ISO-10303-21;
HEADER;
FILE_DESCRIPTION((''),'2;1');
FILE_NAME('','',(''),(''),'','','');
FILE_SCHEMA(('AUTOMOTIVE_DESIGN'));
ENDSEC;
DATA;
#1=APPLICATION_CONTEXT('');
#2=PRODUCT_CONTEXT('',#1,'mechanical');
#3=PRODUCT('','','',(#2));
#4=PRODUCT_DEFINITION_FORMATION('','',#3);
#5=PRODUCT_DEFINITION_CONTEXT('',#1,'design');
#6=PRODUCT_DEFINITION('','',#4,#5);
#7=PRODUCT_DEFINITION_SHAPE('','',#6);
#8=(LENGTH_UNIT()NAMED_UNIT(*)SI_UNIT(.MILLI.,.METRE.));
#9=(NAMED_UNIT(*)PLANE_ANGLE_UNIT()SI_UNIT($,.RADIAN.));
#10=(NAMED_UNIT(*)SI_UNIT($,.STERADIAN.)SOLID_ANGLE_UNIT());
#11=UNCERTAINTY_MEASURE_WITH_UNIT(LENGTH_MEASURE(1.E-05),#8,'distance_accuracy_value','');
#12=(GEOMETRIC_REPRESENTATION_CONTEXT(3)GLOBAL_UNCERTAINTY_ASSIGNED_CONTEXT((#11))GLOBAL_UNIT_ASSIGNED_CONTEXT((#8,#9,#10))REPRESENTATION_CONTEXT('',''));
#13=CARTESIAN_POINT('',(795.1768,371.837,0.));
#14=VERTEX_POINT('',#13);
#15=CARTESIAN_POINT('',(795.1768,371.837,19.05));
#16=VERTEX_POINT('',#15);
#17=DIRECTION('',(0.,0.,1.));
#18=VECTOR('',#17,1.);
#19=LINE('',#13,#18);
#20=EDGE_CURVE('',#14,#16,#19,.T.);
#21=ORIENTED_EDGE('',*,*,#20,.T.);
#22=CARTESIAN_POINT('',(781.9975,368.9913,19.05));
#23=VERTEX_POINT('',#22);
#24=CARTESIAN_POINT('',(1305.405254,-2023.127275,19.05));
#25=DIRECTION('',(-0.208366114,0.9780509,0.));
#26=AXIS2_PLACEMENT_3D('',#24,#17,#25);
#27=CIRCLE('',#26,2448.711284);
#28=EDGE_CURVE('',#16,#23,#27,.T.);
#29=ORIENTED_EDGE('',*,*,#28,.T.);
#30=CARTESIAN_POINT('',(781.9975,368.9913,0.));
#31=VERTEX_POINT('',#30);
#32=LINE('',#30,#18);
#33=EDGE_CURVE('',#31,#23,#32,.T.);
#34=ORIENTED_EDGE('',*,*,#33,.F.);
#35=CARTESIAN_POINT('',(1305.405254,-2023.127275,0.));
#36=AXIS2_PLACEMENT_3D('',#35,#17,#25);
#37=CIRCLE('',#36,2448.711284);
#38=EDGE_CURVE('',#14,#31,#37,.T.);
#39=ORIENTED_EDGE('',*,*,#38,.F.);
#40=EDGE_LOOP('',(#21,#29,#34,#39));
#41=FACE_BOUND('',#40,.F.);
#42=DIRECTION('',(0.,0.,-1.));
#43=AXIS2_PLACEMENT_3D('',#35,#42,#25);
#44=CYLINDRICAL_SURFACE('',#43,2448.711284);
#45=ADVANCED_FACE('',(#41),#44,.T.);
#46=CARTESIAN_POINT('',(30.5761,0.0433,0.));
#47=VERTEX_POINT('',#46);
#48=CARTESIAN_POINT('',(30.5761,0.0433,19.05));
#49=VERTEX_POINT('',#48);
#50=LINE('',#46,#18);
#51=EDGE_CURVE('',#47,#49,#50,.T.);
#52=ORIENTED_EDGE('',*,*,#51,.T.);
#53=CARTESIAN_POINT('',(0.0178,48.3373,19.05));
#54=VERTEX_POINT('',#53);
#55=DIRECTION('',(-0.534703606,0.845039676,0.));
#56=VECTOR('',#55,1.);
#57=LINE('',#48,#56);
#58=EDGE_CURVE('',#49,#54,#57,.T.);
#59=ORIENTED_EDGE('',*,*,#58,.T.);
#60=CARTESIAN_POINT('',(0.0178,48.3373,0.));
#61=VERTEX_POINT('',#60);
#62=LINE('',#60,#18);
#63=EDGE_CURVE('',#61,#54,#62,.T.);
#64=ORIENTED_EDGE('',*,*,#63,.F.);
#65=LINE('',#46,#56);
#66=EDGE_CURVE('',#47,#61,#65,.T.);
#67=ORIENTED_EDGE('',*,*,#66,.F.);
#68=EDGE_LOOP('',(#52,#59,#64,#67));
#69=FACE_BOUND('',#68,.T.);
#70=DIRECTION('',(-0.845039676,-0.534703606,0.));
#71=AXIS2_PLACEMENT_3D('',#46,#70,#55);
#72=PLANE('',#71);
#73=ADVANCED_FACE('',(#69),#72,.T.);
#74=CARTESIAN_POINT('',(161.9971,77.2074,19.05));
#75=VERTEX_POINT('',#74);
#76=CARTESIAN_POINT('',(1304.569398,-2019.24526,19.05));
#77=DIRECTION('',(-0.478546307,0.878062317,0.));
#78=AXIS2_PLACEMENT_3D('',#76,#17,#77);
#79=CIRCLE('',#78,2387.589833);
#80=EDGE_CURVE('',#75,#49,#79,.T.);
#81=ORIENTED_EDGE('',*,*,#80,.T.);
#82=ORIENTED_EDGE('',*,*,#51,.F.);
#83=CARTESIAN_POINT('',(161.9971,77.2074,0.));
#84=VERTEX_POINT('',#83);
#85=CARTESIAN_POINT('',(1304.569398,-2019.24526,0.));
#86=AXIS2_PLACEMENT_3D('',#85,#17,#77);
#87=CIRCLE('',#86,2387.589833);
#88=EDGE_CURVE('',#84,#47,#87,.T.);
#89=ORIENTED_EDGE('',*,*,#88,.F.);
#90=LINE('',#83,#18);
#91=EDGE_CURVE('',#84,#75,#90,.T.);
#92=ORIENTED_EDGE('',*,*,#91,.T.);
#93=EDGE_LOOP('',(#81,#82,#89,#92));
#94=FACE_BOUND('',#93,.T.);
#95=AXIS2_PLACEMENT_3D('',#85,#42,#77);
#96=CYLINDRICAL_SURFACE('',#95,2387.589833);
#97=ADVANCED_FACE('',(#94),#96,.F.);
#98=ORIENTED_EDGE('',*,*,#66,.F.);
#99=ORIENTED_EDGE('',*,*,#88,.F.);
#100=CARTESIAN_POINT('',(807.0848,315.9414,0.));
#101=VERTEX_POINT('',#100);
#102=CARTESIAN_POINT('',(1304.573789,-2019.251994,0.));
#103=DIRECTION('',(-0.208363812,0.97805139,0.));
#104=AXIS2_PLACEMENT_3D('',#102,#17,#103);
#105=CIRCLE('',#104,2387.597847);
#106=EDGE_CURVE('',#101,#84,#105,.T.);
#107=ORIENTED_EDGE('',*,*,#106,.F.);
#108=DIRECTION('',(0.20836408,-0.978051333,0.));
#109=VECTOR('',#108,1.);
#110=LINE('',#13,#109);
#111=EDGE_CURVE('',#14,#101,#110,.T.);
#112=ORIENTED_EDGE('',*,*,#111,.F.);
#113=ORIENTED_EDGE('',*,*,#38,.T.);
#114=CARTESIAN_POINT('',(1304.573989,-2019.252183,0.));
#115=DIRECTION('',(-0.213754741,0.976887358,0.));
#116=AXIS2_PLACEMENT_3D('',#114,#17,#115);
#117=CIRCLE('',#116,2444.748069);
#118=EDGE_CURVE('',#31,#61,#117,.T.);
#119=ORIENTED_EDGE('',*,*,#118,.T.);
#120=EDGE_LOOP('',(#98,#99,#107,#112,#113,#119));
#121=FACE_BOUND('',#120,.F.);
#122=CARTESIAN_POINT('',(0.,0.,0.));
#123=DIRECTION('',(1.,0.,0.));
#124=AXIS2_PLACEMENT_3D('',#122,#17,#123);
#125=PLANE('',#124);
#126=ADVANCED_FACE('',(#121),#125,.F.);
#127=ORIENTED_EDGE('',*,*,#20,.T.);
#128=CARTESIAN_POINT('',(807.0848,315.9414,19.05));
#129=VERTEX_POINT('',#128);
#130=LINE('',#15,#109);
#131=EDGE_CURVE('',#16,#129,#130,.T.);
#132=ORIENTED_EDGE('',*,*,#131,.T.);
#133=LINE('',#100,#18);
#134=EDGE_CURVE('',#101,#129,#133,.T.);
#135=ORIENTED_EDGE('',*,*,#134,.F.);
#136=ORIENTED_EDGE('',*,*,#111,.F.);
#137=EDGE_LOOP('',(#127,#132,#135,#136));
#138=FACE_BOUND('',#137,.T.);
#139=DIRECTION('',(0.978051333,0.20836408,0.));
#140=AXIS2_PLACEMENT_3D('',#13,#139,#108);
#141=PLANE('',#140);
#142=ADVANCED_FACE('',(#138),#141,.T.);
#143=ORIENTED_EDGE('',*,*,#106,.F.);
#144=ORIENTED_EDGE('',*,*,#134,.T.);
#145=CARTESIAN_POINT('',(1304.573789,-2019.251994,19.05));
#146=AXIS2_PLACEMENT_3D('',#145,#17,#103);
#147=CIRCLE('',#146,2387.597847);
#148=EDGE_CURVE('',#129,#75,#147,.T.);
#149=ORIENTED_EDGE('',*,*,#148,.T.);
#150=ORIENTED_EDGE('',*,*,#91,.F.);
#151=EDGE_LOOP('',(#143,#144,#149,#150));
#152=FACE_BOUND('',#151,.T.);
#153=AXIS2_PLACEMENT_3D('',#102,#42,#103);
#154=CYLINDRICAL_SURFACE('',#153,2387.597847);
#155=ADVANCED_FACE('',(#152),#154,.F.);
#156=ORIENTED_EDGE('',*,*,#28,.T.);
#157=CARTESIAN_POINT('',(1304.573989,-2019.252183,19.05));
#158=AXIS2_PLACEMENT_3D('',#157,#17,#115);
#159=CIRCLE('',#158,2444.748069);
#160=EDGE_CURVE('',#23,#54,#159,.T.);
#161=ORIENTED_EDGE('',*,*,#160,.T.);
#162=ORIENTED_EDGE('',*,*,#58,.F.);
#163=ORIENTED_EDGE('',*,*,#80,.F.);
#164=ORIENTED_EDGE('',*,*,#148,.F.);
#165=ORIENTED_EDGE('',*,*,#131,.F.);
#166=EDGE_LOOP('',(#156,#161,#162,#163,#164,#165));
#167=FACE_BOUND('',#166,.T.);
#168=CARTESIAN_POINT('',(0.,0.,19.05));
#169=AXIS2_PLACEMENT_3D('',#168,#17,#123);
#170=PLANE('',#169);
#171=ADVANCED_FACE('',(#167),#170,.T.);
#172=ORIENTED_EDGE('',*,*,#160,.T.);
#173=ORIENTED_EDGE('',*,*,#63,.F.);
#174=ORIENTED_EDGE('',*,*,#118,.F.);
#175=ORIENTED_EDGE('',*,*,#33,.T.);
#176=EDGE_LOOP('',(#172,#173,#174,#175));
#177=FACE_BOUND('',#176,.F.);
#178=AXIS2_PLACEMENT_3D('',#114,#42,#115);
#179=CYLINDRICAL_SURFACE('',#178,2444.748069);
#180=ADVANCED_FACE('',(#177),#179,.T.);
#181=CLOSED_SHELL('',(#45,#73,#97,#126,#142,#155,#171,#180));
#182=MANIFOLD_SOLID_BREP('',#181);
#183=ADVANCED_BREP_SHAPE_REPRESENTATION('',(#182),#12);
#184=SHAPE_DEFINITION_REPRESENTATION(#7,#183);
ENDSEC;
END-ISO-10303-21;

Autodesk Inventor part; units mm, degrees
ref_plane "YZ Plane" through (0, 0, 0) normal (1, 0, 0) x (0, 1, 0)
ref_plane "XZ Plane" through (0, 0, 0) normal (0, 1, 0) x (-1, 0, 0)
ref_plane "XY Plane" through (0, 0, 0) normal (0, 0, 1) x (1, 0, 0)
sketch "Sketch1" plane through (0, 0, 0) normal (0, 0, 1) x (1, 0, 0)
  arc A0 (781.9975, 368.9913) -> (0.0178, 48.3373) centre (1304.5744, -2019.2535) ccw
  arc A1 (795.1768, 371.837) -> (781.9975, 368.9913) centre (1304.5744, -2019.2535) ccw
  line L0 (795.1768, 371.837) -> (807.0848, 315.9414)
  arc A2 (807.0848, 315.9414) -> (161.9971, 77.2074) centre (1304.5744, -2019.2541) ccw
  arc A3 (161.9971, 77.2074) -> (30.5761, 0.0433) centre (1304.5744, -2019.2541) ccw
  line L1 (30.5761, 0.0433) -> (0.0178, 48.3373)
  point P0 (0, 0)
extrude "Extrusion1" add sketch "Sketch1" along normal blind 19.05
properties part number "nd-8"
